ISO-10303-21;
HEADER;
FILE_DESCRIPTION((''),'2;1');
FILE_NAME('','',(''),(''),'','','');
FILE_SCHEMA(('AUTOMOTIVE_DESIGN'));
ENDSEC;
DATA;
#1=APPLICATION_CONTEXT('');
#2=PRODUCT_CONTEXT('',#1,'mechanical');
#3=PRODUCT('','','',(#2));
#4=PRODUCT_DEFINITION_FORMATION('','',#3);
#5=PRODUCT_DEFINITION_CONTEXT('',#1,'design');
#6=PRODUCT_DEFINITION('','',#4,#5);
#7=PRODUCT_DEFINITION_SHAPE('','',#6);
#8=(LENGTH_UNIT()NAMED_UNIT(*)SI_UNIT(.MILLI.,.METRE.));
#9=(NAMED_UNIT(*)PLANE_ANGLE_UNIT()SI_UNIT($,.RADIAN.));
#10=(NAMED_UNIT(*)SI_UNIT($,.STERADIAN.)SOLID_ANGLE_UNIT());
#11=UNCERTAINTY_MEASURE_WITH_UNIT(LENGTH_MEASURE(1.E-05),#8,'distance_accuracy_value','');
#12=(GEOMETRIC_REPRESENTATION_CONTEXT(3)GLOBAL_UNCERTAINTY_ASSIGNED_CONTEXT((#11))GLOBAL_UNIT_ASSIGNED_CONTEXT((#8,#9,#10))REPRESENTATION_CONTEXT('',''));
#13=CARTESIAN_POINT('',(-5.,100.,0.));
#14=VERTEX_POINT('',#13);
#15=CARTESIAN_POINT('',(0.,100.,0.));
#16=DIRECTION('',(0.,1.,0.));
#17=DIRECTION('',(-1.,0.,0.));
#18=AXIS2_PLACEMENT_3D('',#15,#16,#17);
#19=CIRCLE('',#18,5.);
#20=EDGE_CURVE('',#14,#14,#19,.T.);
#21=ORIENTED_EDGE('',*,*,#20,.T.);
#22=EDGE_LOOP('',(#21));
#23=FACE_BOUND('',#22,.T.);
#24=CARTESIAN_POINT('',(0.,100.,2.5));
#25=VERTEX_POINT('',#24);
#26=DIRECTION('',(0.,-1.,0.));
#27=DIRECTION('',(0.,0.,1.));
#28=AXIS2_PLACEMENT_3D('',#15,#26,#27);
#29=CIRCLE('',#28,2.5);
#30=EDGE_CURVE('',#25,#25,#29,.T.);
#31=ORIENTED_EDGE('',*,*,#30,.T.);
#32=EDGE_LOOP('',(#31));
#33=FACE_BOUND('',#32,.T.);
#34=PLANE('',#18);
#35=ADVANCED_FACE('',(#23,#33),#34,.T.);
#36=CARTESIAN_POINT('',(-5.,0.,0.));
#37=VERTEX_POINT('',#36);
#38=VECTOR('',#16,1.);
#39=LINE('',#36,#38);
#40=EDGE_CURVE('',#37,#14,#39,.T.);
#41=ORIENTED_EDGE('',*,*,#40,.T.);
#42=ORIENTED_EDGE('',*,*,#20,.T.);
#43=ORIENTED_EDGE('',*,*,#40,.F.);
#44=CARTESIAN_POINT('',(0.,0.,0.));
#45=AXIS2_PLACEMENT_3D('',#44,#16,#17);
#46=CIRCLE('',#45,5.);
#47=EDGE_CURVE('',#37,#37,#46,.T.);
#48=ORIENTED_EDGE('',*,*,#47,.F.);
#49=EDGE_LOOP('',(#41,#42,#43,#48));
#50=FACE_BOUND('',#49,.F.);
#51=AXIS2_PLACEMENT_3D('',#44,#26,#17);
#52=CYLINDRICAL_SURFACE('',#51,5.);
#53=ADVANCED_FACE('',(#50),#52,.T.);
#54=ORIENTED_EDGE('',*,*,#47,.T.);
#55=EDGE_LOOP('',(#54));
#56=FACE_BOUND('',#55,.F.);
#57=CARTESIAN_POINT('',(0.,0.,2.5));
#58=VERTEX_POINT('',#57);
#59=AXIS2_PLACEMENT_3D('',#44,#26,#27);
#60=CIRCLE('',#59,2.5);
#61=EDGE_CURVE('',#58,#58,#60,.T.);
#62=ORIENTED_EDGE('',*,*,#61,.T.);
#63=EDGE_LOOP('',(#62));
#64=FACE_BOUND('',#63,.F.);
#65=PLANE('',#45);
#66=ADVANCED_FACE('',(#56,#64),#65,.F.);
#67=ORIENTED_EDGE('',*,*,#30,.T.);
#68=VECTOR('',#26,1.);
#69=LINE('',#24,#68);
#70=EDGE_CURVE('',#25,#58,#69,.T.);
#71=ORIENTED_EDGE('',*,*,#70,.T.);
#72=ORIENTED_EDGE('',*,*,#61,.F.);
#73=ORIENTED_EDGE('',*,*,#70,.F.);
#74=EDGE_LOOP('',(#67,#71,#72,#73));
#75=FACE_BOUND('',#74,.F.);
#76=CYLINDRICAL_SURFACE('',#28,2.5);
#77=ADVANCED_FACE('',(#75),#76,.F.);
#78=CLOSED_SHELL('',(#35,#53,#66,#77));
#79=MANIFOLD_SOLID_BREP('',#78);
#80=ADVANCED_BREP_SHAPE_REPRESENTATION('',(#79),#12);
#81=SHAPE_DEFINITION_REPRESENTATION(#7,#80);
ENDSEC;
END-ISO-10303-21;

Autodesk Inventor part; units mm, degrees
ref_plane "YZ Plane" through (0, 0, 0) normal (1, 0, 0) x (0, 1, 0)
ref_plane "XZ Plane" through (0, 0, 0) normal (0, 1, 0) x (-1, 0, 0)
ref_plane "XY Plane" through (0, 0, 0) normal (0, 0, 1) x (1, 0, 0)
sketch "Boceto1" plane through (0, 0, 0) normal (0, 1, 0) x (-1, 0, 0)
  circle A0 centre (0, 0) radius 5
  dimension "d0" = 10
extrude "Extrusión1" add sketch "Boceto1" along normal blind 100
sketch "Boceto2" plane through (0, 100, 0) normal (0, 1, 0) x (1, 0, 0)
  point P0 (0, 0)
hole "Agujero1" at (0, 100, 0) direction (0, -1, 0) diameter 5 end through all
properties part number "pieza base de bobina superior"
